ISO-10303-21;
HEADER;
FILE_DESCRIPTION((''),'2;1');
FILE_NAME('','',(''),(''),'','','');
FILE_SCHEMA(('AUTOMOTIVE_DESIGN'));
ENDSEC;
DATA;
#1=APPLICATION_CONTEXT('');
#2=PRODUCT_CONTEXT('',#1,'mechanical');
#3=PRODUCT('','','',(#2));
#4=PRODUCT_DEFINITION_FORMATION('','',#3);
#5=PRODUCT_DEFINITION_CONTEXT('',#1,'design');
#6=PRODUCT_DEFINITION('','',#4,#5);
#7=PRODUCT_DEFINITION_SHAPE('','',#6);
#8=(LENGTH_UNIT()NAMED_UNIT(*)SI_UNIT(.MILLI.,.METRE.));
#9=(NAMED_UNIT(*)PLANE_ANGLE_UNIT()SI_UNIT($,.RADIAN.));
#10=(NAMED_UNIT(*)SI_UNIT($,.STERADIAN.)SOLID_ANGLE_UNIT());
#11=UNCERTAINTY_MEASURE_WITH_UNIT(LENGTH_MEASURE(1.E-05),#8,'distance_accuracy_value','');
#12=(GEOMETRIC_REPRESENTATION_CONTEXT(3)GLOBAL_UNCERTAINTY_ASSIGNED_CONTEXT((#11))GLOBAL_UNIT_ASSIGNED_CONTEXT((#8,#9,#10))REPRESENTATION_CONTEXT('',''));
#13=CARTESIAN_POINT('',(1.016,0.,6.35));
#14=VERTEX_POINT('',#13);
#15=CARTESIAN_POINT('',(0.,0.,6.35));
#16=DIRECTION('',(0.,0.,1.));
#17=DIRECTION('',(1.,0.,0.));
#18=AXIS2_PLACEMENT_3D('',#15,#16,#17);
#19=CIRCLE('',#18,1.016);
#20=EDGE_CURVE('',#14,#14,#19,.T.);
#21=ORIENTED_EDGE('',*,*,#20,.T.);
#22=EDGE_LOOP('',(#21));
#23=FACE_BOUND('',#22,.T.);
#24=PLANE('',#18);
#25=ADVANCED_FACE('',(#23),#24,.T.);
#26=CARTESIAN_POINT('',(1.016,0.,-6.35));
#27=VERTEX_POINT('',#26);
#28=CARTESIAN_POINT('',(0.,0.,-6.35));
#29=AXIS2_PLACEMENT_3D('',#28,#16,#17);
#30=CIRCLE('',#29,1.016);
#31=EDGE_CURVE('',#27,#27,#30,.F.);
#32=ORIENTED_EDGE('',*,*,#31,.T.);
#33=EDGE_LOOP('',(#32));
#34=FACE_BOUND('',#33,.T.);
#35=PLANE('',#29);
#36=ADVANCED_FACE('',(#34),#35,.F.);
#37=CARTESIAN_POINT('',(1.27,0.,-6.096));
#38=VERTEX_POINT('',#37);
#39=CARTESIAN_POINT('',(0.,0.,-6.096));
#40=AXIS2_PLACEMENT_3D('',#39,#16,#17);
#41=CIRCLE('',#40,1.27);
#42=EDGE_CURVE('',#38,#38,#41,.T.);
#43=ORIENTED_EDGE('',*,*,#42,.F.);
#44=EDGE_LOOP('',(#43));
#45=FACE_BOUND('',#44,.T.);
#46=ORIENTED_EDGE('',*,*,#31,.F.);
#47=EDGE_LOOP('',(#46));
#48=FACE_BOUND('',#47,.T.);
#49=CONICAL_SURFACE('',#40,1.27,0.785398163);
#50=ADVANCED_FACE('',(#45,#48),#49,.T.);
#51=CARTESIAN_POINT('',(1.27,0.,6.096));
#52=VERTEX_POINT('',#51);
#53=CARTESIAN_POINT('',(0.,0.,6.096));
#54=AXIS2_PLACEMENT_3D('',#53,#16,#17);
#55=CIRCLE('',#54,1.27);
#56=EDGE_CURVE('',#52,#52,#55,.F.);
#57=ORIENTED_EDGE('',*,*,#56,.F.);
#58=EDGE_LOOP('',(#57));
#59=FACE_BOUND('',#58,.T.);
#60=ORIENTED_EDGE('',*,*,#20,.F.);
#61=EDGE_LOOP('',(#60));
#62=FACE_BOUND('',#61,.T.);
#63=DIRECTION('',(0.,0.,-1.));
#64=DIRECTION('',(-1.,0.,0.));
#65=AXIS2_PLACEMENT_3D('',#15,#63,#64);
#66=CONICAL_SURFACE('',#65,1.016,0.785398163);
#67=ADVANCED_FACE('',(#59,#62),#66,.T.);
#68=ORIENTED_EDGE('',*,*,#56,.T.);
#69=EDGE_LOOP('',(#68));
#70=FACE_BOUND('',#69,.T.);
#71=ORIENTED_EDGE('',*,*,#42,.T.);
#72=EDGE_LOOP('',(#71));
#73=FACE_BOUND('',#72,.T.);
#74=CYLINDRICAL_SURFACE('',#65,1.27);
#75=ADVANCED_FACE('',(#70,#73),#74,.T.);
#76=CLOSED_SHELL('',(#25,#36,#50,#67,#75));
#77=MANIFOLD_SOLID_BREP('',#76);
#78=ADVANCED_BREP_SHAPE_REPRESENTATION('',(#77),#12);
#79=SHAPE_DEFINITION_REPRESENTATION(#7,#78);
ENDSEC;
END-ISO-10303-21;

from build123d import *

# Parameters (mm, degrees)
SKETCH1_R      = 1.27
EXTRUDE1_DEPTH = 6.35
CHAMFER1_SIZE  = 0.254


with BuildPart() as part:
    # Sketch1 → Extrude1 (new, symmetric)
    with BuildSketch(Plane.XY):
        Circle(SKETCH1_R)
    extrude(amount=EXTRUDE1_DEPTH, both=True)

    # Chamfer1
    chamfer1_edges = [part.edges().sort_by_distance(p)[0] for p in [
        (-1.27, 0, -6.35),
        (-1.27, 0, 6.35),
    ]]
    chamfer(chamfer1_edges, length=CHAMFER1_SIZE)


solid = part.part
